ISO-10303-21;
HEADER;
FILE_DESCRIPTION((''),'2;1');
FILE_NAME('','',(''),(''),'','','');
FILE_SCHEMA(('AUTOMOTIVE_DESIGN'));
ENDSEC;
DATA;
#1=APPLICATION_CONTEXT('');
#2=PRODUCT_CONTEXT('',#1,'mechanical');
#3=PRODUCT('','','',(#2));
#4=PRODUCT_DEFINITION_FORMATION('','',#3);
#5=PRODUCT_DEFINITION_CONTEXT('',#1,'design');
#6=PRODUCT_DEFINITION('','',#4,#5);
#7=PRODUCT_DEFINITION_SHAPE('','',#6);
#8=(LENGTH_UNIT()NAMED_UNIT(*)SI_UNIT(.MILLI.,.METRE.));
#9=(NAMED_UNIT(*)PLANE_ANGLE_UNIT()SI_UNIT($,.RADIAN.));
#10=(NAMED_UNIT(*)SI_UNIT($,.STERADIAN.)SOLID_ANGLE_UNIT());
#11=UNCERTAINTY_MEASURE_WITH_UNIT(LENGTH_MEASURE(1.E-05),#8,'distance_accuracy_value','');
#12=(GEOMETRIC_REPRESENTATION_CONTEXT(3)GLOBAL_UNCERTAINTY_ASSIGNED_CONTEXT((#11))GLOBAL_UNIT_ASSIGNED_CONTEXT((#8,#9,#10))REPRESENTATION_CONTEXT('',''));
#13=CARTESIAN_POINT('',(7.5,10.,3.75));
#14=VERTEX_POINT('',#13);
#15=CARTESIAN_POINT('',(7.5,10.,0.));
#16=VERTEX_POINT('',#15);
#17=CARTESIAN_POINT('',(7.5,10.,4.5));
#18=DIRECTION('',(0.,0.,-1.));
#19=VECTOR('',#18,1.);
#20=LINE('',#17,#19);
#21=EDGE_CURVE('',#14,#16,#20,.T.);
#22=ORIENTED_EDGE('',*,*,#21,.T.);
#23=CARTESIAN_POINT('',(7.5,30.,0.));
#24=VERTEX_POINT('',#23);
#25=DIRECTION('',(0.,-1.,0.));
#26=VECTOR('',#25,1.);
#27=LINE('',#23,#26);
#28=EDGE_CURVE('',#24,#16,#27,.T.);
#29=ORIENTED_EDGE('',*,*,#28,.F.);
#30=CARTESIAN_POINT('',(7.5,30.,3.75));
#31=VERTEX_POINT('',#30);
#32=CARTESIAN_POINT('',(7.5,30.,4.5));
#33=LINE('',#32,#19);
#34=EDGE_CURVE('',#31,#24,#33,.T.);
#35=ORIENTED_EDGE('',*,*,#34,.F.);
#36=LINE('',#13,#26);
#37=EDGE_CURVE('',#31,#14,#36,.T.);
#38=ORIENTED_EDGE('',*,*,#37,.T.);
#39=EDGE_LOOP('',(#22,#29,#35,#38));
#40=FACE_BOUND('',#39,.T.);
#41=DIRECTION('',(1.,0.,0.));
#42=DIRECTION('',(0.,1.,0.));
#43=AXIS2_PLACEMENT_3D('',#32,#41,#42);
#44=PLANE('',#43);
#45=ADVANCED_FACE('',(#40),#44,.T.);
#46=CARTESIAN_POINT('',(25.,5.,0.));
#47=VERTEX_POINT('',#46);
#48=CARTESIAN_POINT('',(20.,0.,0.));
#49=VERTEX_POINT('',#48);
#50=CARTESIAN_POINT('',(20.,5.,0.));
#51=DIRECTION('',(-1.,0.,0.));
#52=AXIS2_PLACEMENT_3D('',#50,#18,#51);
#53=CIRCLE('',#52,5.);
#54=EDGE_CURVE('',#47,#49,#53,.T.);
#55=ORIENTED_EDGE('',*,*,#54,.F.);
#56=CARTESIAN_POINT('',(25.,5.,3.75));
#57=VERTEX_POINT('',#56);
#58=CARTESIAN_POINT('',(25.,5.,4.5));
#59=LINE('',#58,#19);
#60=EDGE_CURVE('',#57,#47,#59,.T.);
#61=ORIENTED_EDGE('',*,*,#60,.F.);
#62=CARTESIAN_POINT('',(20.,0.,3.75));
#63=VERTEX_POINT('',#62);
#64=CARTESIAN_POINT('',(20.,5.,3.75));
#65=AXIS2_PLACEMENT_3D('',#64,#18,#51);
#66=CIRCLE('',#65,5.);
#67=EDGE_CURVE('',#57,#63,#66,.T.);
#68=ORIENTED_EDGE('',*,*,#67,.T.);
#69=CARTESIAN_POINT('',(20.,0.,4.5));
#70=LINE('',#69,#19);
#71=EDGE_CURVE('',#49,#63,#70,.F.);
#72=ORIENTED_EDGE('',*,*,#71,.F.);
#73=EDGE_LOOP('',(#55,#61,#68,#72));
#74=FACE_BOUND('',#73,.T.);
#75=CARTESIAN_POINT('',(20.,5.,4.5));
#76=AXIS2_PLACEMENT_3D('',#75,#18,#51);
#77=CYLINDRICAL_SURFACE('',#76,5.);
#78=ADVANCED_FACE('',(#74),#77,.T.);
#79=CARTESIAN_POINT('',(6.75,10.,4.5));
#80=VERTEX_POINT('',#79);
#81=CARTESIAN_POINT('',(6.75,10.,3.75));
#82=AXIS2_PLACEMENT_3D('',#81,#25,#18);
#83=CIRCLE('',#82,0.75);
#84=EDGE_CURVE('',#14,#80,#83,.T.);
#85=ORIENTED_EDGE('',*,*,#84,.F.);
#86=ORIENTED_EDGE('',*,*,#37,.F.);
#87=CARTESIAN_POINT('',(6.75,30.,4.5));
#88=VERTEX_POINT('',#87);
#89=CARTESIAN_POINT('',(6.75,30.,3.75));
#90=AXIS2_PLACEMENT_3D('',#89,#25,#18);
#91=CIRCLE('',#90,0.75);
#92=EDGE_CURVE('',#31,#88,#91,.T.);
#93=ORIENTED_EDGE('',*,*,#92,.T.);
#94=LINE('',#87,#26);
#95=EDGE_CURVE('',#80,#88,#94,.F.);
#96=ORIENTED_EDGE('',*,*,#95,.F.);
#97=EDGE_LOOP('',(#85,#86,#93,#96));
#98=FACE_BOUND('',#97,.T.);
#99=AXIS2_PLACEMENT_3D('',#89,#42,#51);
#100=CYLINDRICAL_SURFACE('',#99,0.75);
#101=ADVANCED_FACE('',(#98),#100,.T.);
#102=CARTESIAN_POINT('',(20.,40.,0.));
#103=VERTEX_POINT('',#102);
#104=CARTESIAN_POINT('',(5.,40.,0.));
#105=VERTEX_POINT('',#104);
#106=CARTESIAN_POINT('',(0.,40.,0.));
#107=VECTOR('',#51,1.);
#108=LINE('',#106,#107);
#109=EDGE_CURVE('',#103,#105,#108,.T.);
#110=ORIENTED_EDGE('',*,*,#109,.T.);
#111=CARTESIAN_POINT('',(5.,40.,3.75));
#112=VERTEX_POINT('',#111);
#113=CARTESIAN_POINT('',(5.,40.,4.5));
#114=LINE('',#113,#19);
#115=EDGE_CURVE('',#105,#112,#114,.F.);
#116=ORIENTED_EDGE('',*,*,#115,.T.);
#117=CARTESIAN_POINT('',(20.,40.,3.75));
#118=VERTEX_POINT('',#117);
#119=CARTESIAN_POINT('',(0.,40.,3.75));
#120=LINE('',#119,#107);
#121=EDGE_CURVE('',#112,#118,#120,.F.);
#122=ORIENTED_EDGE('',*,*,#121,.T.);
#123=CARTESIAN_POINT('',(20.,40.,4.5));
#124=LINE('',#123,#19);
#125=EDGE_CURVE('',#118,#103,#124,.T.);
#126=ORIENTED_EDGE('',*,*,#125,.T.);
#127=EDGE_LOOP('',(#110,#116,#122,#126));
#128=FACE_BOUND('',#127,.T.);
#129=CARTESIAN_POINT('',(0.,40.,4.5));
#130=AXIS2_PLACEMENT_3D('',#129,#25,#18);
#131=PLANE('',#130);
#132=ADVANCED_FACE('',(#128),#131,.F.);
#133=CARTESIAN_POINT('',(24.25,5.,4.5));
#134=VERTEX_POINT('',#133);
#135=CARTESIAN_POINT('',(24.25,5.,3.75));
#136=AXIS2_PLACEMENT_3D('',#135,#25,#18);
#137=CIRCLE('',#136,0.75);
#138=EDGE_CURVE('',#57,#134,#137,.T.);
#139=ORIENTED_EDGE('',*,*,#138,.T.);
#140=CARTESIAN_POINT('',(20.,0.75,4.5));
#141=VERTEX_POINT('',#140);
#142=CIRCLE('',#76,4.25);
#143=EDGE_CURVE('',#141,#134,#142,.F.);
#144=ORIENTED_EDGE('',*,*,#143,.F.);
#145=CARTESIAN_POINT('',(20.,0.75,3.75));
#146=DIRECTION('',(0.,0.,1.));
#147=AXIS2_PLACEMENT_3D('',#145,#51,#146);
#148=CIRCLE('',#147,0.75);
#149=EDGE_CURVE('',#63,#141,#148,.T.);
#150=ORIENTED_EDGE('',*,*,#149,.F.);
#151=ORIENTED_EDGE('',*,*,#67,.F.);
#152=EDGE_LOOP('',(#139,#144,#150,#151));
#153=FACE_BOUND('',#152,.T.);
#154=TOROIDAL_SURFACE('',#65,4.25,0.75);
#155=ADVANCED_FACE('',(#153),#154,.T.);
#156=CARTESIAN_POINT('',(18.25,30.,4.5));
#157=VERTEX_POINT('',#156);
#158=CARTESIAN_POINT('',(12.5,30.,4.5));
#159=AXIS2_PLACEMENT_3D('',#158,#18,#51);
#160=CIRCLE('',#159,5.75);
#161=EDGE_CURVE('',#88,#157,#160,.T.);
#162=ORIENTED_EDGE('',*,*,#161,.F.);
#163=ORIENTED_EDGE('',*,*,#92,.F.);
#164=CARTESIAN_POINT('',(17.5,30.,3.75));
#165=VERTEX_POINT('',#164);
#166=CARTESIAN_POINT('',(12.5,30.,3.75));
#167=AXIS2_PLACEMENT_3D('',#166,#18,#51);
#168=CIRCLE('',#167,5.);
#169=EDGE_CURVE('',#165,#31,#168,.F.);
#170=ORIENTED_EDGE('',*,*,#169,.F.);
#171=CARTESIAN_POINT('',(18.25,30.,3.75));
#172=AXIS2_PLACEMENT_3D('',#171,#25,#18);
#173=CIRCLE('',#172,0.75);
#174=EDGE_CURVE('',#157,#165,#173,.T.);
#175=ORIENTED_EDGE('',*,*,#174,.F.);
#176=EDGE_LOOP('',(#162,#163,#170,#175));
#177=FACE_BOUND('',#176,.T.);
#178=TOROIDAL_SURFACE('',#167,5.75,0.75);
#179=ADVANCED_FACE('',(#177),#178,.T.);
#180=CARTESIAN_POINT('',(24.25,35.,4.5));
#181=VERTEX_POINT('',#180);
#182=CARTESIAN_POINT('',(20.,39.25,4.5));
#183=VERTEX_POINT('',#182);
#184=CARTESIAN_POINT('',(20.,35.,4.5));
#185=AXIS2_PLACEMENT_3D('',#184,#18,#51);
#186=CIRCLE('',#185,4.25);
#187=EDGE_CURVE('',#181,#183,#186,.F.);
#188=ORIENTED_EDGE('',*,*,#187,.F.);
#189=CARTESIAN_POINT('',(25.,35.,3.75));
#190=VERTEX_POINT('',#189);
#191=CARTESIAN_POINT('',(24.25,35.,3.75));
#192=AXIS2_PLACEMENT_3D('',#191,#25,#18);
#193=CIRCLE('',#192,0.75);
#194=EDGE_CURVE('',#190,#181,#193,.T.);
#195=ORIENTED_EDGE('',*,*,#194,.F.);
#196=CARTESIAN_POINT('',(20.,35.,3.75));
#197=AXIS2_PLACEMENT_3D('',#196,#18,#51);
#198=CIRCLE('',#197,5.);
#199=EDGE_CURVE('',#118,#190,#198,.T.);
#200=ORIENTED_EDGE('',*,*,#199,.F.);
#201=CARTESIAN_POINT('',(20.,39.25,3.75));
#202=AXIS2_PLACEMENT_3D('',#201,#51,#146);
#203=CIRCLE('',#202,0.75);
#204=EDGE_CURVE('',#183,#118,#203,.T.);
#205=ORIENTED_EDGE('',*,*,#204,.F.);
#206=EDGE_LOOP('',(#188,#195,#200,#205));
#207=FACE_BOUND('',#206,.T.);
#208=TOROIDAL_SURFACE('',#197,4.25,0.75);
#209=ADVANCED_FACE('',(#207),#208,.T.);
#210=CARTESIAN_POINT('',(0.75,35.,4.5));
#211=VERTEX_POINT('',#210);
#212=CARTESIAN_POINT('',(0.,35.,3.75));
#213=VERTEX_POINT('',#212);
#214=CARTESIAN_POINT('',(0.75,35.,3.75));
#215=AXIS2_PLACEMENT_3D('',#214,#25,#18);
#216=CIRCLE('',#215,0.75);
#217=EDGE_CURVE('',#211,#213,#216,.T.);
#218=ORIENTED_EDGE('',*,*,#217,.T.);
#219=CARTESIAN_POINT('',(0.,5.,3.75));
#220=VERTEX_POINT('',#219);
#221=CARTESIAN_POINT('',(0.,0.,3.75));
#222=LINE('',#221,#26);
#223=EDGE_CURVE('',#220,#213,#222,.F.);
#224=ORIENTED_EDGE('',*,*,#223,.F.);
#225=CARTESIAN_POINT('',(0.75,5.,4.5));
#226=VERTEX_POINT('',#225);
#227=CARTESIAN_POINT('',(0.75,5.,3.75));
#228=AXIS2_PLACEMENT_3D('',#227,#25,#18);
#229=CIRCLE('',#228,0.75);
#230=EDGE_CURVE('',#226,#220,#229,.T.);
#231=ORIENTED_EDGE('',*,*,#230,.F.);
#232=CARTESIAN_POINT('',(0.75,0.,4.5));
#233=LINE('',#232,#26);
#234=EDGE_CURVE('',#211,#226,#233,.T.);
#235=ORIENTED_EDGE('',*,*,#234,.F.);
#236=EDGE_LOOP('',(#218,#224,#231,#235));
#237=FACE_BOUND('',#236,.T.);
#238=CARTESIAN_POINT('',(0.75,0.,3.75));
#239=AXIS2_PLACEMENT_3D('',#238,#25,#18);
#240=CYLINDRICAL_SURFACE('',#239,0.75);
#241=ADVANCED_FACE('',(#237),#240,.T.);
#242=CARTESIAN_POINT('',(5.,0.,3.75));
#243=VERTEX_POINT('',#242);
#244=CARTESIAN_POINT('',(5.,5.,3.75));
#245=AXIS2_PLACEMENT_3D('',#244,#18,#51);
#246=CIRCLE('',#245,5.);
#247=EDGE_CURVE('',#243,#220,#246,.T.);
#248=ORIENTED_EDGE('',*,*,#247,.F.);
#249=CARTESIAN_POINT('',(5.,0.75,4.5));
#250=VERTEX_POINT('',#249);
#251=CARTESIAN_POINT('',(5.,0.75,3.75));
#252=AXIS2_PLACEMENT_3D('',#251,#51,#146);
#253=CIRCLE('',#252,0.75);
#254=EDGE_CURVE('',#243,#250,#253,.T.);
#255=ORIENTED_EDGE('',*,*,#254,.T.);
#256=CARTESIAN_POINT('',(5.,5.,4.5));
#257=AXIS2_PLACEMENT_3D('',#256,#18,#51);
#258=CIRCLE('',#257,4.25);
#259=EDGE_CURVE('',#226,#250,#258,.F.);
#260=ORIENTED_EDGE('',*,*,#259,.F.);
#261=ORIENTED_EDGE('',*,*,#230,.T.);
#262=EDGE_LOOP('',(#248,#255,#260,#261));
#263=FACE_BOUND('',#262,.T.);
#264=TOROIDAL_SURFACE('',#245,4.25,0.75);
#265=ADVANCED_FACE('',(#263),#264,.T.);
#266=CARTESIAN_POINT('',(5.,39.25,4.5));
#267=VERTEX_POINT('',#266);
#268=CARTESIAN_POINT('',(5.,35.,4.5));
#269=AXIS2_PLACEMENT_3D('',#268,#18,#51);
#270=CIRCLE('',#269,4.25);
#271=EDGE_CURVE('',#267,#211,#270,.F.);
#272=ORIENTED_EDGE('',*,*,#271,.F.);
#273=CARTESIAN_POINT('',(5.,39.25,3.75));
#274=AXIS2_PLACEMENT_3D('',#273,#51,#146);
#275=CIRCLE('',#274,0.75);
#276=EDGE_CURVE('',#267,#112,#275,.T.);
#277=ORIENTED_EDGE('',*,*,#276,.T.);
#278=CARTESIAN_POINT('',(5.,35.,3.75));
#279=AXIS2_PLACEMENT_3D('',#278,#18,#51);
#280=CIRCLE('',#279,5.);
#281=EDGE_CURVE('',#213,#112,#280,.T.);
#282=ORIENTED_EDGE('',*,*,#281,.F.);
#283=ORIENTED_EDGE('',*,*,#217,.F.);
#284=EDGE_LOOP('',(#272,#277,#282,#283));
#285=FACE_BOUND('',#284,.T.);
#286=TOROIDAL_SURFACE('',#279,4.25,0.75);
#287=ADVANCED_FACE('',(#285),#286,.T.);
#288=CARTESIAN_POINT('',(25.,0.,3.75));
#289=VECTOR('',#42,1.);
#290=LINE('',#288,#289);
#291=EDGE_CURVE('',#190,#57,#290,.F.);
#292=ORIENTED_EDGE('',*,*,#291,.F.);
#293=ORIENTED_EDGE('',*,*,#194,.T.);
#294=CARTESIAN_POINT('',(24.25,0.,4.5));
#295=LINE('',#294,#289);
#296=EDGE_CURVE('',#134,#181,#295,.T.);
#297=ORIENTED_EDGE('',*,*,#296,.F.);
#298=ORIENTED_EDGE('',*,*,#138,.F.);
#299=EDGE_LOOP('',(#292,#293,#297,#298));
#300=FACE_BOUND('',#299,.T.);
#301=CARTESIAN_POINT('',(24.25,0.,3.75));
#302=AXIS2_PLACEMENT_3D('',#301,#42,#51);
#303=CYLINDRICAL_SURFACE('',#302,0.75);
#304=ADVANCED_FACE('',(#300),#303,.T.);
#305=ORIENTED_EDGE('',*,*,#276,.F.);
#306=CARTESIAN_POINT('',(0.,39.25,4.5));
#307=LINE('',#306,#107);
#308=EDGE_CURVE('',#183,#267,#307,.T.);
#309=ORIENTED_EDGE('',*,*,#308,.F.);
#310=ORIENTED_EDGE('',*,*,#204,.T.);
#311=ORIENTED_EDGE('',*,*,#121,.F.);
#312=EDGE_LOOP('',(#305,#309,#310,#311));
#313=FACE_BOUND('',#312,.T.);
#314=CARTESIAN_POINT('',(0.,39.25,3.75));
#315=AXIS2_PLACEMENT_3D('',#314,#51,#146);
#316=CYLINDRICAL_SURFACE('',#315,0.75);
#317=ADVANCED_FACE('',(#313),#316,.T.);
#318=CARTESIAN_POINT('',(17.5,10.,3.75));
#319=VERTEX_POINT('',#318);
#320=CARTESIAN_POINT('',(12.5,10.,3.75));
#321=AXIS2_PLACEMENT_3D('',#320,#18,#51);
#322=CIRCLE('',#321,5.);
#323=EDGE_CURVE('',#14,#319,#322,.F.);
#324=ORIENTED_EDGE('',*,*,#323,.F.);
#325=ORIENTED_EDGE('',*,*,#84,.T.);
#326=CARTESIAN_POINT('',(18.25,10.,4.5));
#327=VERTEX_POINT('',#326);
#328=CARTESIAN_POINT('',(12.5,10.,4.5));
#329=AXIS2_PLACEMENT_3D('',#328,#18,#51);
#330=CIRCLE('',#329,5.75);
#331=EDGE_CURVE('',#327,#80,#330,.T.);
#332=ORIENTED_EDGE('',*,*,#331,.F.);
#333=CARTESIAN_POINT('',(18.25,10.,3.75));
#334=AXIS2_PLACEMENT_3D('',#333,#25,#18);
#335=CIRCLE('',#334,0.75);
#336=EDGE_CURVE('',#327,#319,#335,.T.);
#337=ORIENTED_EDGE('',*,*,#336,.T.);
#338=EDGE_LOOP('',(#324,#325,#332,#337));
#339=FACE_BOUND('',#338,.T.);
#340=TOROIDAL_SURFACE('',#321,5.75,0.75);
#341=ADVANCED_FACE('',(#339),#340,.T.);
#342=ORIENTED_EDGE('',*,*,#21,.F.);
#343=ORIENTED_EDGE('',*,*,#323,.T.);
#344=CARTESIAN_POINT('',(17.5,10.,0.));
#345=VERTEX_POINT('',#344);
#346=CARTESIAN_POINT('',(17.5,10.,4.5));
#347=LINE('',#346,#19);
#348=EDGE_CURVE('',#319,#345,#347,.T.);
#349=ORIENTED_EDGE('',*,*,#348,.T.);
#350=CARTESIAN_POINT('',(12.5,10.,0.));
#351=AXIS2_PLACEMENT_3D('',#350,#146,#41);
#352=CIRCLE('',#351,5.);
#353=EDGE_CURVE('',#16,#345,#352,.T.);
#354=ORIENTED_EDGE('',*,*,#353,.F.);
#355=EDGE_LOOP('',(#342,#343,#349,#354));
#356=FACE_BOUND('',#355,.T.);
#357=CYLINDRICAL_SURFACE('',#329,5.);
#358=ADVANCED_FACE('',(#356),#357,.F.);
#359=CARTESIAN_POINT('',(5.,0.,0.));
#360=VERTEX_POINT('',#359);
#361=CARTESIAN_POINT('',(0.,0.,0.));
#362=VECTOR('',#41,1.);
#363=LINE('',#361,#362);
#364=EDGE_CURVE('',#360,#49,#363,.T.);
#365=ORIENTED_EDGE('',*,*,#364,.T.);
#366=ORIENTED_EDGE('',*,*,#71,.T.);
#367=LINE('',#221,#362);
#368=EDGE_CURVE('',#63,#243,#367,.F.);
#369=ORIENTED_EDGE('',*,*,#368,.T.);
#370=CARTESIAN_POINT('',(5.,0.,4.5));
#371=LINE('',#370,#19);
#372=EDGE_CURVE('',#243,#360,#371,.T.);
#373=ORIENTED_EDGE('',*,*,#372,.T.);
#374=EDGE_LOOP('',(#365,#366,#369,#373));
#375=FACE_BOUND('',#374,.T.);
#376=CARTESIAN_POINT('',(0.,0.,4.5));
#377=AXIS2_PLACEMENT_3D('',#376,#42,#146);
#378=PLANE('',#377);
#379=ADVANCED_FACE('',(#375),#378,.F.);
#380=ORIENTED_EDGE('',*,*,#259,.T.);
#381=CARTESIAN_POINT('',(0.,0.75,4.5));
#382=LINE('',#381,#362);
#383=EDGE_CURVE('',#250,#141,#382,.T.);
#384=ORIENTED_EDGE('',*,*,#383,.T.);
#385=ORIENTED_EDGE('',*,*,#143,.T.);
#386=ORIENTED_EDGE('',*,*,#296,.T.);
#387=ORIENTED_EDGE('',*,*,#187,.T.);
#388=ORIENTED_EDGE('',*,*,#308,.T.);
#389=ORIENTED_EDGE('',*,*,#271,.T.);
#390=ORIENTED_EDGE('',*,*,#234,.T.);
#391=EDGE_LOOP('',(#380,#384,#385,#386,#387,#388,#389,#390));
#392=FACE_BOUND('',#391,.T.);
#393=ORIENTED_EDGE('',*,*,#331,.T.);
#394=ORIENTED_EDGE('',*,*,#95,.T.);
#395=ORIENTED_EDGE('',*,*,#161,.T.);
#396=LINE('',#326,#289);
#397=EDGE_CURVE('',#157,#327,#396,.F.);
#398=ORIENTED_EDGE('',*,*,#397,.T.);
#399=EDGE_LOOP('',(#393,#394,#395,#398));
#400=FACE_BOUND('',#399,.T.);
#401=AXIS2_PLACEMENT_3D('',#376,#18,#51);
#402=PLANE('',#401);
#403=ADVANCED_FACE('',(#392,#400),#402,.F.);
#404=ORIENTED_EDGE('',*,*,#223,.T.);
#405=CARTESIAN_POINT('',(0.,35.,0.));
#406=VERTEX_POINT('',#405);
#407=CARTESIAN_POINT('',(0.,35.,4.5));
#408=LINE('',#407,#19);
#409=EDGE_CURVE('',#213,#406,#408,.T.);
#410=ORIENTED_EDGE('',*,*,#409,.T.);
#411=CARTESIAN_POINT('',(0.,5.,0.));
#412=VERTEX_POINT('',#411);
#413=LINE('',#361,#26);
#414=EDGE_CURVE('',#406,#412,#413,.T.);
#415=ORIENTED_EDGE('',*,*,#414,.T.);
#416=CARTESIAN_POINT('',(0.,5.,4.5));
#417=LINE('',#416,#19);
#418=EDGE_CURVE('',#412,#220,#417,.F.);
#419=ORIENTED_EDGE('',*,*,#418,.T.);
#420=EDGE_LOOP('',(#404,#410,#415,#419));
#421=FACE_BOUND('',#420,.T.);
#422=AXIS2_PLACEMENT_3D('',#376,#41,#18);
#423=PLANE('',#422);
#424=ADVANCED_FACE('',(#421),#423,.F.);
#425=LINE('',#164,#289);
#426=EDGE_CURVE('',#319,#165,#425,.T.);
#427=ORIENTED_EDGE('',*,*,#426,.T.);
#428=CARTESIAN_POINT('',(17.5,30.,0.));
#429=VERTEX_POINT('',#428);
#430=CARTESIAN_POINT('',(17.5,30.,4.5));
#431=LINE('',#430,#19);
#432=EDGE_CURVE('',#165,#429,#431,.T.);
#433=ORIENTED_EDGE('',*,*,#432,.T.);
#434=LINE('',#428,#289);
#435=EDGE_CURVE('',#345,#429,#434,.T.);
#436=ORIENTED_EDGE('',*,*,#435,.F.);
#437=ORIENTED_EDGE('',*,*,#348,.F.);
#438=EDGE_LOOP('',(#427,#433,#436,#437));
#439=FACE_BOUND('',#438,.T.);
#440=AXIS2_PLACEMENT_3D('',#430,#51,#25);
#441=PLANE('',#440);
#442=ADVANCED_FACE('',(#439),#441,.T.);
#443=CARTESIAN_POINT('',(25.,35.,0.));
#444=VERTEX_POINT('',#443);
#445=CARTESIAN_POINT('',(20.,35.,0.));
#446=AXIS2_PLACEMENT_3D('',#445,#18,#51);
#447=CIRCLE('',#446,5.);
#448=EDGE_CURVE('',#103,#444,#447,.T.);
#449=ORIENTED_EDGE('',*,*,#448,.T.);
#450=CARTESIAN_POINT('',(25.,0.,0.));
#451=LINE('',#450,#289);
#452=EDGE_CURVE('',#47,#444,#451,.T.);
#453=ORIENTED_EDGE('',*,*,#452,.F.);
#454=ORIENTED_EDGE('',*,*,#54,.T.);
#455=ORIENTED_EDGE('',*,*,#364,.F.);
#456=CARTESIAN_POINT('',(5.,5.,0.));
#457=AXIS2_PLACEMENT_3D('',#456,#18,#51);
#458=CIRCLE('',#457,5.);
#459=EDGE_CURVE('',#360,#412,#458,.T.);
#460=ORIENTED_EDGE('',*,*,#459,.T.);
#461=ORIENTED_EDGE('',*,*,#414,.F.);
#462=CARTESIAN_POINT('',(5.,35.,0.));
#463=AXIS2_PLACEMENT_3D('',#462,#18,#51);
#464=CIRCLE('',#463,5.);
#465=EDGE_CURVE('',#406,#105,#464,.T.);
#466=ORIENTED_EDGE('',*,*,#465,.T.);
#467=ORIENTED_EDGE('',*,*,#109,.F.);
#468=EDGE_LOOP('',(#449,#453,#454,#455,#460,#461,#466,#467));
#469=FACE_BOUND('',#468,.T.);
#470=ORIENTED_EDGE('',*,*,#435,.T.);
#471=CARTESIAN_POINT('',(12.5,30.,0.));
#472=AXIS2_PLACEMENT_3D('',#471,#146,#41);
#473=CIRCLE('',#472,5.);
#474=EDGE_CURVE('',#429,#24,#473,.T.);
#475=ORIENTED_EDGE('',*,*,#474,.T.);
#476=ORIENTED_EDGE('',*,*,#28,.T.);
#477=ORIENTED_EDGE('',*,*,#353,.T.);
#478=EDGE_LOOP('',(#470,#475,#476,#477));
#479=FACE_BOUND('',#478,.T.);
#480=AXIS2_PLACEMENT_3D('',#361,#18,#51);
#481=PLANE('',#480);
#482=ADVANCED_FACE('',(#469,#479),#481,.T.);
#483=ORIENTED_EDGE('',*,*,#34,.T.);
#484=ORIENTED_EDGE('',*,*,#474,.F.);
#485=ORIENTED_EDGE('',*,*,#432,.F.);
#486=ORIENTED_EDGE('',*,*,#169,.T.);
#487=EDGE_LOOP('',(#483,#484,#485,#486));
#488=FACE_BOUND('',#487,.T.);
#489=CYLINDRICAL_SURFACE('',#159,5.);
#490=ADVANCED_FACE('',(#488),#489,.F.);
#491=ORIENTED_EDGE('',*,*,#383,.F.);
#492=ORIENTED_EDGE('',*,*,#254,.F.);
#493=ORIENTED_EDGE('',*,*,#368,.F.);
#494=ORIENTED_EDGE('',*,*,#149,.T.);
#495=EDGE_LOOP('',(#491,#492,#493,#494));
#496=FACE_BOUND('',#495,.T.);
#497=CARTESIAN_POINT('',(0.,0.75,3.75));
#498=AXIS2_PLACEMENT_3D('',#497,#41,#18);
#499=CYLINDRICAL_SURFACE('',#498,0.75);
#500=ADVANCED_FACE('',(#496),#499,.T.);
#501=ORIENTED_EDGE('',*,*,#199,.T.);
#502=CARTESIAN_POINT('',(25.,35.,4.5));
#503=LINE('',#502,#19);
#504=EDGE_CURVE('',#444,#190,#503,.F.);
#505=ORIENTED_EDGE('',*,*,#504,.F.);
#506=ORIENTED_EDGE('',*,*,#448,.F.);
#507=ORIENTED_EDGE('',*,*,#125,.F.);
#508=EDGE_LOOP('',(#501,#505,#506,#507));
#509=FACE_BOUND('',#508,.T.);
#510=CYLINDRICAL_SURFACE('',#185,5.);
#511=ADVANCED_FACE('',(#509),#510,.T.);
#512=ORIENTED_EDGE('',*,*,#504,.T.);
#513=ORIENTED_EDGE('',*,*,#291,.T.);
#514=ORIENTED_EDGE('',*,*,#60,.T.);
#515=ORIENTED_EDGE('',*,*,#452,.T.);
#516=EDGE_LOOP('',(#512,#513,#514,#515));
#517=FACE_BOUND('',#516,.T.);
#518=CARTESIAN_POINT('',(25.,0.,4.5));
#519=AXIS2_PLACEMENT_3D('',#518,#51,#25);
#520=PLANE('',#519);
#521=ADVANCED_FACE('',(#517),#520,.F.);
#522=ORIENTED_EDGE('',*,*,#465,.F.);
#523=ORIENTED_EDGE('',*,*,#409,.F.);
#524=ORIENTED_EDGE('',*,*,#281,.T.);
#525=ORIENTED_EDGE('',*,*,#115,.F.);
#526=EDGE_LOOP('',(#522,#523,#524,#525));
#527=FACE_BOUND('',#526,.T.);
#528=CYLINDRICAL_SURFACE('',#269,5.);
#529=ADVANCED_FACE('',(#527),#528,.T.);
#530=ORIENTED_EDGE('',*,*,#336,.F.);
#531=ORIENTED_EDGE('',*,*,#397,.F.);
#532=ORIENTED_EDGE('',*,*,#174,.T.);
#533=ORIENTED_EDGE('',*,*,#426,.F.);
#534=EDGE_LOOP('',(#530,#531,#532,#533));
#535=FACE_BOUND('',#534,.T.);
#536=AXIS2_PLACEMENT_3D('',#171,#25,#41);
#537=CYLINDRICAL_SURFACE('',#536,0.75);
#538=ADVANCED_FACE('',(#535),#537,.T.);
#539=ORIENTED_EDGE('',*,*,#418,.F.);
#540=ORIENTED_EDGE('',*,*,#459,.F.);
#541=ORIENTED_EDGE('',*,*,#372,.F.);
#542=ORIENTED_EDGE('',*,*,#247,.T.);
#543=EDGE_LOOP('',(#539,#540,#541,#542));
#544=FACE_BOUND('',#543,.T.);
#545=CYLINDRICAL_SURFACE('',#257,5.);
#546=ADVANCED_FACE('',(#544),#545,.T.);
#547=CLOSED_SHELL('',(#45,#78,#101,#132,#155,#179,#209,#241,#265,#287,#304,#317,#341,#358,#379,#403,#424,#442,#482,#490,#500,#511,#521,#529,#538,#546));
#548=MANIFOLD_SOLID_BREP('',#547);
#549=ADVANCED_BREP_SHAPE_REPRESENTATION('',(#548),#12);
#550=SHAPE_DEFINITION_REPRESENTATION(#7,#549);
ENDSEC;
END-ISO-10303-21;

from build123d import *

# Parameters (mm, degrees)
SKETCH1_W           = 25
SKETCH1_H           = 40
BOSS_EXTRUDE1_DEPTH = 4.5
FILLET1_R           = 5
FILLET2_R           = 0.75


with BuildPart() as part:
    # Sketch1 → Boss-Extrude1 (new body)
    with BuildSketch(Plane.XY):
        with Locations((12.5, 20)):
            Rectangle(SKETCH1_W, SKETCH1_H)
        with BuildLine():
            Line((17.5, 30), (17.5, 10))
            ThreePointArc((17.5, 10), (12.5, 5), (7.5, 10))
            Line((7.5, 10), (7.5, 30))
            ThreePointArc((7.5, 30), (12.5, 35), (17.5, 30))
        make_face(mode=Mode.SUBTRACT)
    extrude(amount=BOSS_EXTRUDE1_DEPTH)

    # Fillet1
    fillet1_edges = [part.edges().sort_by_distance(p)[0] for p in [
        (0, 40, 2.25),
        (25, 40, 2.25),
        (25, 0, 2.25),
        (0, 0, 2.25),
    ]]
    fillet(fillet1_edges, radius=FILLET1_R)

    # Fillet2
    fillet2_edges = [part.edges().sort_by_distance(p)[0] for p in [
        (12.5, 35, 4.5),
        (7.5, 20, 4.5),
        (12.5, 5, 4.5),
        (17.5, 20, 4.5),
        (12.5, 40, 4.5),
        (25, 20, 4.5),
        (0, 20, 4.5),
        (12.5, 0, 4.5),
        (1.464466094, 38.535533906, 4.5),
        (1.464466094, 1.464466094, 4.5),
        (23.535533906, 1.464466094, 4.5),
        (23.535533906, 38.535533906, 4.5),
    ]]
    fillet(fillet2_edges, radius=FILLET2_R)


solid = part.part
